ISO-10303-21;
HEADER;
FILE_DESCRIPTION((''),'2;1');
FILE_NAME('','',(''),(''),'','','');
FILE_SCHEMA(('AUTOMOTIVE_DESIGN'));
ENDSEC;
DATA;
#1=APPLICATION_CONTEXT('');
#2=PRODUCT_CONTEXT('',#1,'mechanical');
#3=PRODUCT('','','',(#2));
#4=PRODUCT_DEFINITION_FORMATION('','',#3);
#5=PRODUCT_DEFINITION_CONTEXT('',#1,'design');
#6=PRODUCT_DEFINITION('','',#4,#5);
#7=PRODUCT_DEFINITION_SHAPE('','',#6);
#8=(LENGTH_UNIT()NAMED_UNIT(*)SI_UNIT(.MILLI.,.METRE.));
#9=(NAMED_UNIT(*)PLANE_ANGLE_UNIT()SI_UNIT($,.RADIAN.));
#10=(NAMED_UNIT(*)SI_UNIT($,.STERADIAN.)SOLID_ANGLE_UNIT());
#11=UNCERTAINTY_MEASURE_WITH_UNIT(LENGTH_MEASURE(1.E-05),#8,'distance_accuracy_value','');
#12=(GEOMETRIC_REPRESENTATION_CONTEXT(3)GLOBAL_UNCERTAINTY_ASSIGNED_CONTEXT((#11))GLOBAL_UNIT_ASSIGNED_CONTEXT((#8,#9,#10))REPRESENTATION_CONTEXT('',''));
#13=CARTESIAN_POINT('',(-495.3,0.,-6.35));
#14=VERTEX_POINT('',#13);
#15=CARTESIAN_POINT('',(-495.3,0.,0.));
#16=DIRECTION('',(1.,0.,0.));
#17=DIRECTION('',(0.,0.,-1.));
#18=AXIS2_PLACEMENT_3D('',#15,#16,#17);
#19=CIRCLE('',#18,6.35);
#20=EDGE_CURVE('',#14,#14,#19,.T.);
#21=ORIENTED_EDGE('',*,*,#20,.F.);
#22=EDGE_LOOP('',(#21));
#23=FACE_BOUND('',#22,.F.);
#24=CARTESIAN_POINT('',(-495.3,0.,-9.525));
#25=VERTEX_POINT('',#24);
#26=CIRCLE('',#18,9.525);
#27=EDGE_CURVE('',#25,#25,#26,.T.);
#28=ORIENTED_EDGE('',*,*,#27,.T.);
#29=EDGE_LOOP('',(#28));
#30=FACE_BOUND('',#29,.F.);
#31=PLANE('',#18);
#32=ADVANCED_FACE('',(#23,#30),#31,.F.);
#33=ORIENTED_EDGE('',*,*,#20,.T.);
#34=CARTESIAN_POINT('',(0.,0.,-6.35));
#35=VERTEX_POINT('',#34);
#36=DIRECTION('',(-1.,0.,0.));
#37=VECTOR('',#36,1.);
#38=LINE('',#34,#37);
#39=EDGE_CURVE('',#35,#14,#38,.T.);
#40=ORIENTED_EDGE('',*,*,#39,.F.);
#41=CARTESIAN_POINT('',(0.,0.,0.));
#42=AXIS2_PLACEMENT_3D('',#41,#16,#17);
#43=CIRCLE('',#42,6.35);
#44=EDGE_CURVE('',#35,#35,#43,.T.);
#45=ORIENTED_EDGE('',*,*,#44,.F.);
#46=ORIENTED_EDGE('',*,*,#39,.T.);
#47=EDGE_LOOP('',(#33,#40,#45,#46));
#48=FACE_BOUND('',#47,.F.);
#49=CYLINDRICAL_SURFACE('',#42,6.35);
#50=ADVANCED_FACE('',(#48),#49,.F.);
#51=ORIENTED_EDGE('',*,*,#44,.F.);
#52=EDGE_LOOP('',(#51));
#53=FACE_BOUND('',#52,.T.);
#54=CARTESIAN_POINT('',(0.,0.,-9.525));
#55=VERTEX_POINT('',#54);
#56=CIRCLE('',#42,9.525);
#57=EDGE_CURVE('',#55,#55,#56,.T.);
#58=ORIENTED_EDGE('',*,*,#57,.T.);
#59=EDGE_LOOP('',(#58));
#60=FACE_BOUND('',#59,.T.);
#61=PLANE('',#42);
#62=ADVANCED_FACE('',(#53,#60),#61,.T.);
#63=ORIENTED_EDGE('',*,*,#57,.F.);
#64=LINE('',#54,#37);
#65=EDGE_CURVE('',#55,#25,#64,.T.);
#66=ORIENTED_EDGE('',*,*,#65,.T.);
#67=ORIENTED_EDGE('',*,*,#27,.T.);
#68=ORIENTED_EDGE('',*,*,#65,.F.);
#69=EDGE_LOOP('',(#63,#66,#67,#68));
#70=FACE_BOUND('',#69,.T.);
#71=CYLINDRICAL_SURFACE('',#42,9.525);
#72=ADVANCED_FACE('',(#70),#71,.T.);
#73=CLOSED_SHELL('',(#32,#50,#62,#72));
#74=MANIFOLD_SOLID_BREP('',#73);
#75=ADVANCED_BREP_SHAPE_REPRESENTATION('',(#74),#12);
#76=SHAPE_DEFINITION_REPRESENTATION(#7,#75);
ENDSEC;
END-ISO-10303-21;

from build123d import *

# Parameters (mm, degrees)
SKETCH1_R           = 9.525
SKETCH1_R_2         = 6.35
BOSS_EXTRUDE1_DEPTH = 495.3


with BuildPart() as part:
    # Sketch1 → Boss-Extrude1 (new body)
    with BuildSketch(Plane(origin=(0, 0, 0), x_dir=(0, 0, -1), z_dir=(1, 0, 0))):
        Circle(SKETCH1_R)
        Circle(SKETCH1_R_2, mode=Mode.SUBTRACT)
    extrude(amount=-BOSS_EXTRUDE1_DEPTH)


solid = part.part
